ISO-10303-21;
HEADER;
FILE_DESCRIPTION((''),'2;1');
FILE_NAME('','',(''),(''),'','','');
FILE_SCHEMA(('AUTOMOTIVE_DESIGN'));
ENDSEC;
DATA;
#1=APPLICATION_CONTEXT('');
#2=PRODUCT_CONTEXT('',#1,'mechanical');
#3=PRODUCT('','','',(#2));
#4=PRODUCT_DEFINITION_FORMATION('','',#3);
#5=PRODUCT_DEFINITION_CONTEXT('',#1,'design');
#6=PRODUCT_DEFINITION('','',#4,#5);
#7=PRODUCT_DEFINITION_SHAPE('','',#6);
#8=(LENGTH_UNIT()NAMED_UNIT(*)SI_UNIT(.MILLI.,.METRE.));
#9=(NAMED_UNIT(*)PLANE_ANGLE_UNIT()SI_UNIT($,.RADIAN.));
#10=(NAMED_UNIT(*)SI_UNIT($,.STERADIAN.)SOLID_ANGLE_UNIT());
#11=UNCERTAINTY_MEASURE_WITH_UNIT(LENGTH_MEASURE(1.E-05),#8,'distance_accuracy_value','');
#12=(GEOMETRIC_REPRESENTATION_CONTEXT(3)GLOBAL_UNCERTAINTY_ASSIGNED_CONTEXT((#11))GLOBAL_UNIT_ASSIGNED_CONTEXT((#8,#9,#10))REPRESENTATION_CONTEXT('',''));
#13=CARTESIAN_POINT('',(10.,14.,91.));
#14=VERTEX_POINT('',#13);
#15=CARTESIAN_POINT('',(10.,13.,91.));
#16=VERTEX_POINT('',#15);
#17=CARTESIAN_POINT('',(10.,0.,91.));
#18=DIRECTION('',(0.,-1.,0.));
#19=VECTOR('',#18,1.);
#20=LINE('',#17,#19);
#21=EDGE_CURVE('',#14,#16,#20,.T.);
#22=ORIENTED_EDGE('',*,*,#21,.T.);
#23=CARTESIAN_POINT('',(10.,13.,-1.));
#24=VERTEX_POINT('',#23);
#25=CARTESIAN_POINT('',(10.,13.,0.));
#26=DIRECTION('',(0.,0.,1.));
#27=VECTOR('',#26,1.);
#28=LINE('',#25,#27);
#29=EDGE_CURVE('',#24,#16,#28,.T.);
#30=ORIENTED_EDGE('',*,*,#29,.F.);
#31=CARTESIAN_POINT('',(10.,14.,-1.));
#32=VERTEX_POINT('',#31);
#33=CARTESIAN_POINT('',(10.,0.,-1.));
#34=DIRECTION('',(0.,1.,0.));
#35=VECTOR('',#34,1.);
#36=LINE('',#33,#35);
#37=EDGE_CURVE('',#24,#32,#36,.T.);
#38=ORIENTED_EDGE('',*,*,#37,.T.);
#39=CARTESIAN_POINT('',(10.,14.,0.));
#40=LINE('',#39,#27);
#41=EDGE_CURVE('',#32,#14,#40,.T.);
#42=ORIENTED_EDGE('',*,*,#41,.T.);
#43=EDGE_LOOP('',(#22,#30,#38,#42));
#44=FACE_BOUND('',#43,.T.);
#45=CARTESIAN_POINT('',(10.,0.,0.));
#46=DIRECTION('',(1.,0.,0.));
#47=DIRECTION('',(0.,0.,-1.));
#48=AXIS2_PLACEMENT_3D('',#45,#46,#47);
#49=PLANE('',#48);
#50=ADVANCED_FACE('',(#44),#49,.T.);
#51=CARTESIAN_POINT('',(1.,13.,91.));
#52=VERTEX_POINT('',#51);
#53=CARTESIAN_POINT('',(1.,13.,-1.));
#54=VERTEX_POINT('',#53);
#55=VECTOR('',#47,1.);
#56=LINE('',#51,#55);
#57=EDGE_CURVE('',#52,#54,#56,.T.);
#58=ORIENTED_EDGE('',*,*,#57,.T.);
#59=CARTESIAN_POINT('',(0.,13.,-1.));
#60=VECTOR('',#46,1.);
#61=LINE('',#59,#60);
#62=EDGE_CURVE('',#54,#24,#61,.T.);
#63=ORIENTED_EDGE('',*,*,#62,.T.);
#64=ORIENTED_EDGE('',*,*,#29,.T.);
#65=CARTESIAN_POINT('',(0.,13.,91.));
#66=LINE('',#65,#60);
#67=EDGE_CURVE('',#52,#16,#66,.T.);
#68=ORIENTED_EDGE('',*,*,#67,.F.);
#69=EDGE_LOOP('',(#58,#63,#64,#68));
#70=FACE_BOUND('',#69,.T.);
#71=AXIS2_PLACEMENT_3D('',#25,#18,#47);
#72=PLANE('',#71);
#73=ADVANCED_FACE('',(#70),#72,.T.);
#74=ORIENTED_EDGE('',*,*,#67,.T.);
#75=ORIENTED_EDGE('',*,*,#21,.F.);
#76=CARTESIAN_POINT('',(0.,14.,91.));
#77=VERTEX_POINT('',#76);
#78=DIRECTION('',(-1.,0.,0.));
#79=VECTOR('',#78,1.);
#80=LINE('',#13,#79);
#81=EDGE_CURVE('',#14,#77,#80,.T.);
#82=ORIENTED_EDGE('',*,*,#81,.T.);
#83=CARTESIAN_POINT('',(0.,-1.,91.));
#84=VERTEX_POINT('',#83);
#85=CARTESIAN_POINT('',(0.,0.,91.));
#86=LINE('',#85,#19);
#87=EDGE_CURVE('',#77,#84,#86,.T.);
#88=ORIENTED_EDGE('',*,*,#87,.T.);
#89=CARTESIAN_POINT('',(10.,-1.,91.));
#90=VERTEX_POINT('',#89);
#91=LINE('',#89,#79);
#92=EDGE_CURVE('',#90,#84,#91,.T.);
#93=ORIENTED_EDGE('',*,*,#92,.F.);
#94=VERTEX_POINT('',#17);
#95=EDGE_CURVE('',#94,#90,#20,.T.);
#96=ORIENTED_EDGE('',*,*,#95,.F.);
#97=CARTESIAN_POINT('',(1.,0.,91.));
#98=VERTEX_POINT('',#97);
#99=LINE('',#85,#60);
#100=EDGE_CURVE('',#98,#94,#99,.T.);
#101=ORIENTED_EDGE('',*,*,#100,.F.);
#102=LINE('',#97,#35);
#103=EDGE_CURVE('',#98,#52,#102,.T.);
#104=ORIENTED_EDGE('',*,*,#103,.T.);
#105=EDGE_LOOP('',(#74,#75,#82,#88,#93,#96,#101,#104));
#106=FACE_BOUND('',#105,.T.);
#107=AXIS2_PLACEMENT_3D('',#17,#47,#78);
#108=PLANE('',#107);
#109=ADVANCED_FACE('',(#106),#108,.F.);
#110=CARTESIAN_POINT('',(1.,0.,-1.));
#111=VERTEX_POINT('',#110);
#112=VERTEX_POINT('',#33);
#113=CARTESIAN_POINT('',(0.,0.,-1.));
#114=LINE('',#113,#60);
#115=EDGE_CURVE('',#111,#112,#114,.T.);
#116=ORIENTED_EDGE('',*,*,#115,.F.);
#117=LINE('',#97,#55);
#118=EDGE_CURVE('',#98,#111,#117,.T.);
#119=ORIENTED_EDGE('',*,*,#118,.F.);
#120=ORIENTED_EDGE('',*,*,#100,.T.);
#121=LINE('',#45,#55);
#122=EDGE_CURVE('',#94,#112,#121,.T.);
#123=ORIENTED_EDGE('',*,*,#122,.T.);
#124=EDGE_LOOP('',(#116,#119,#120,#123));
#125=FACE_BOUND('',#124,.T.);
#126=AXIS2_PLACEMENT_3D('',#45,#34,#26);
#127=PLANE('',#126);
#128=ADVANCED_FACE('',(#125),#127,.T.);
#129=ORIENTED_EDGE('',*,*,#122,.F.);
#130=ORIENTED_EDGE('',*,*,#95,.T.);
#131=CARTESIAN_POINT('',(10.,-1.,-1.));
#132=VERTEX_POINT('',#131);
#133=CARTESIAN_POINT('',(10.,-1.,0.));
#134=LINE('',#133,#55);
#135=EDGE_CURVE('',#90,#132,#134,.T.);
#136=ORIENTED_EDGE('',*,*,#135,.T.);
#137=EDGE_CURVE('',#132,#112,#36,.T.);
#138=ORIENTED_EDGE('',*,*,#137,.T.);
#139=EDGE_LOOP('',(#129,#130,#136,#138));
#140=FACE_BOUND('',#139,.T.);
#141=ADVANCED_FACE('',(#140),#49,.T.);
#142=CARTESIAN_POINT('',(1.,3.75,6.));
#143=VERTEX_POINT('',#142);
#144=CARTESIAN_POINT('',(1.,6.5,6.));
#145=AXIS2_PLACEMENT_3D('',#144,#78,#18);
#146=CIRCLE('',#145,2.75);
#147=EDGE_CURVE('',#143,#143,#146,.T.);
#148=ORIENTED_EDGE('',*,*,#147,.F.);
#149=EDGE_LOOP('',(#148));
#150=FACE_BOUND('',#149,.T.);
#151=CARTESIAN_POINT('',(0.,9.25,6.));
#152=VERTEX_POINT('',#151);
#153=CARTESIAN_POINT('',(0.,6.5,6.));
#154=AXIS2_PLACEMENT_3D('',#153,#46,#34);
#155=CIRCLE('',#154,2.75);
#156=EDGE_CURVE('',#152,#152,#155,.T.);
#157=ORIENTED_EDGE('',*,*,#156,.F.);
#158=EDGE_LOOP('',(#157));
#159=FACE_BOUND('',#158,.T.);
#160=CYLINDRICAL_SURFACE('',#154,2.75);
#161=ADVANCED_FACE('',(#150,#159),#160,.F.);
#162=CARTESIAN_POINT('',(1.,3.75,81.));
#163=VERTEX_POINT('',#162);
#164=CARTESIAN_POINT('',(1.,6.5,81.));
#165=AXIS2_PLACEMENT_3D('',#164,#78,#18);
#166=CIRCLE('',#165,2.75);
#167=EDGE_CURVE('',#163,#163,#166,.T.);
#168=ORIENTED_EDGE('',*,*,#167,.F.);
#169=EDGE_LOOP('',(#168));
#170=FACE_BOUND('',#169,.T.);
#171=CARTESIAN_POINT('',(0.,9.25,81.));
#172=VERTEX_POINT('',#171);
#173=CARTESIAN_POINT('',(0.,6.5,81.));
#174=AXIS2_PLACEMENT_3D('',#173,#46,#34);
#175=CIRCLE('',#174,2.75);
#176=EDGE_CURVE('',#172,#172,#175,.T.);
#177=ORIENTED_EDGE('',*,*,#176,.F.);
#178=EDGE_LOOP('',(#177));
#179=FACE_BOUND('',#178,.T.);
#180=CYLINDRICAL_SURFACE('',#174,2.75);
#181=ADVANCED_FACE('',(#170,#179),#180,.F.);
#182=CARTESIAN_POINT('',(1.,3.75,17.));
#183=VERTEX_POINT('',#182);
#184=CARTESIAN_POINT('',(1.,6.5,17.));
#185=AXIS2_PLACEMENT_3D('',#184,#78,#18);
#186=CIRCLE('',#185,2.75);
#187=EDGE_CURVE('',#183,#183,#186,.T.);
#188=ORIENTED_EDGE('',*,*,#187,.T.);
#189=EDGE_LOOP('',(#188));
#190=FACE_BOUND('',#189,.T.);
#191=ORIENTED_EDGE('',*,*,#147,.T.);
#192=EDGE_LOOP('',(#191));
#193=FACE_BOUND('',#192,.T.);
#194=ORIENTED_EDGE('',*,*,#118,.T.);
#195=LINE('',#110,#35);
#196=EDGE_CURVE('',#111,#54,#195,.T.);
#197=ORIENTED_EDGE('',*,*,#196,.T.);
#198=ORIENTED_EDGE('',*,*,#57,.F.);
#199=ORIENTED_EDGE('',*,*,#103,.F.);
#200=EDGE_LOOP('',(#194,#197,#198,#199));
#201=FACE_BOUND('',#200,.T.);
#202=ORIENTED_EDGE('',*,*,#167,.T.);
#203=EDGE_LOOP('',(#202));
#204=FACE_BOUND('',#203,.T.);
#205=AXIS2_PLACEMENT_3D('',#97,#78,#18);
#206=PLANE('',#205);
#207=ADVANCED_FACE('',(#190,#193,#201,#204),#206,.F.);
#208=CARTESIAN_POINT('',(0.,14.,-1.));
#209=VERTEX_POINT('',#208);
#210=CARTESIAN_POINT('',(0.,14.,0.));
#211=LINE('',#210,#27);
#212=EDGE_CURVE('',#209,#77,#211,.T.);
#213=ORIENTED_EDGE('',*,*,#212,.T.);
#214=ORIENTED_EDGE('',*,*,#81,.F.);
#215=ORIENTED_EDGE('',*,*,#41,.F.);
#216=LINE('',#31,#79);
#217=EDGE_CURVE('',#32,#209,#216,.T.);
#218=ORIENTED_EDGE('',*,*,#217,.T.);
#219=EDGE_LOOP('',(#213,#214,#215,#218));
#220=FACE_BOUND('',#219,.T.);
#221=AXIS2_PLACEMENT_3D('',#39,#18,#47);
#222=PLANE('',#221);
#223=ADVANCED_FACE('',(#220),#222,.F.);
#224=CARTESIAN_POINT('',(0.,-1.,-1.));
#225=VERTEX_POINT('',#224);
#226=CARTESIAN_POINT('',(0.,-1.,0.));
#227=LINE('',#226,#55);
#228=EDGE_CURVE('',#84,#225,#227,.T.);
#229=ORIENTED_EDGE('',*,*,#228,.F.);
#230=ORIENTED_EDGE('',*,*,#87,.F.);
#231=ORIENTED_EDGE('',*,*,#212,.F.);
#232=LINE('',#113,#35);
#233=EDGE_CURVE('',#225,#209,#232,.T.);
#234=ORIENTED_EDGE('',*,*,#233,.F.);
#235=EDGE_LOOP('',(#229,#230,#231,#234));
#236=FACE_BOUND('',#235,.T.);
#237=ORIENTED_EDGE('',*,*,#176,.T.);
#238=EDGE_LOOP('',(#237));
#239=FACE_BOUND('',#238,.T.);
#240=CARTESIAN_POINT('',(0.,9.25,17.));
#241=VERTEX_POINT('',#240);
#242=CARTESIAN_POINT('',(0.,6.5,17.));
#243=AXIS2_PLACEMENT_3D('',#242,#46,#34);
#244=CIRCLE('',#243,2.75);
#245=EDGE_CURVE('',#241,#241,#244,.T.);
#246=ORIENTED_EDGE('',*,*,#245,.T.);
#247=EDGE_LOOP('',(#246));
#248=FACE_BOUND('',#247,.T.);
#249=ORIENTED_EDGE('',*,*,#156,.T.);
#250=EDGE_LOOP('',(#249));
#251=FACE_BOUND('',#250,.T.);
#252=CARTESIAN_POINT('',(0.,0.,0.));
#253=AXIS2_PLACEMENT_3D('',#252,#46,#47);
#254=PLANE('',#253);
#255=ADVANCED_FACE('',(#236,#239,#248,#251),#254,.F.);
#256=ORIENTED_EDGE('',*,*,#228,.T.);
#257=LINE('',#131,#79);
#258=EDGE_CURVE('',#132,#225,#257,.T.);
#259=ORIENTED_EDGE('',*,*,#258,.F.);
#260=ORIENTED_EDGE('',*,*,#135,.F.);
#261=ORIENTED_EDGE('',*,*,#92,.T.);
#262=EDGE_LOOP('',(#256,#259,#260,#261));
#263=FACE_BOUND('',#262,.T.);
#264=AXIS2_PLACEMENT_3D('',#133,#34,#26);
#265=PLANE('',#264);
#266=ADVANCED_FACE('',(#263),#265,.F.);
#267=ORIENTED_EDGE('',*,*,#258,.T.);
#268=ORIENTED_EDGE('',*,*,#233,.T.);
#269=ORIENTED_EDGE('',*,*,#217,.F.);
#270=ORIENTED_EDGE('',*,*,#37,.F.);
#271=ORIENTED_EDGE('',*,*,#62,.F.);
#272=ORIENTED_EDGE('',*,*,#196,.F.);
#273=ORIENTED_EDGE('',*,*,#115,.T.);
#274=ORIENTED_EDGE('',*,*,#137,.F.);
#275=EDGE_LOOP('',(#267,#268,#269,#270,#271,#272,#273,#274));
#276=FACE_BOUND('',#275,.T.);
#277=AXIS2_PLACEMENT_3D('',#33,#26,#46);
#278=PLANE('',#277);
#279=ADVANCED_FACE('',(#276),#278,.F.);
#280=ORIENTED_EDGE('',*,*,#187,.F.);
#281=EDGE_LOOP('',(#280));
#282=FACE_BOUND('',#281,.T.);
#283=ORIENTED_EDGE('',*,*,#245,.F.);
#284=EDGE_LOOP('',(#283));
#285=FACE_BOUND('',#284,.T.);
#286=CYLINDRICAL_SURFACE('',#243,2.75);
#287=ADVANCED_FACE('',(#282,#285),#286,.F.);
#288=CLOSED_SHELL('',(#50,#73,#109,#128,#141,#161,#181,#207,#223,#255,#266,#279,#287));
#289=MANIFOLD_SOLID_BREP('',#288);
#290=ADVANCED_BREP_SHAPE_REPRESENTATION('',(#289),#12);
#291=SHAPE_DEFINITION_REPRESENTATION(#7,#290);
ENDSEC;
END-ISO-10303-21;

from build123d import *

# Parameters (mm, degrees)
CROQUIS1_W                 = 15
CROQUIS1_H                 = 92
CROQUIS1_W_2               = 13
CROQUIS1_H_2               = 90
EXTRUIR_L_MINA1_DEPTH      = 10
CROQUIS2_W                 = 9
CROQUIS2_H                 = 13
CORTAR_EXTRUIR2_DEPTH      = 94.594871654
CROQUIS5_W                 = 13
CROQUIS5_H                 = 90
SALIENTE_EXTRUIR1_DEPTH    = 1
CORTAR_EXTRUIR3_DEPTH      = 93.509458976
CORTAR_EXTRUIR3_DEPTH_BACK = 93.509458976
CROQUIS6_R                 = 2.75


with BuildPart() as part:
    # Croquis1 → Extruir-Lámina1 (new body)
    with BuildSketch(Plane.YZ):
        with Locations((6.5, 45)):
            Rectangle(CROQUIS1_W, CROQUIS1_H)
        with Locations((6.5, 45)):
            Rectangle(CROQUIS1_W_2, CROQUIS1_H_2, mode=Mode.SUBTRACT)
    extrude(amount=EXTRUIR_L_MINA1_DEPTH)

    # Croquis2 → Cortar-Extruir2 (cut, through all)
    with BuildSketch(Plane(origin=(0, 0, -1), x_dir=(1, 0, 0), z_dir=(0, 0, -1))):
        with Locations((5.5, -6.5)):
            Rectangle(CROQUIS2_W, CROQUIS2_H)
    extrude(amount=-CORTAR_EXTRUIR2_DEPTH, mode=Mode.SUBTRACT)

    # Croquis5 → Saliente-Extruir1 (add)
    with BuildSketch(Plane(origin=(0, 0, 0), x_dir=(0, -1, 0), z_dir=(-1, 0, 0))):
        with Locations((-6.5, 45)):
            Rectangle(CROQUIS5_W, CROQUIS5_H)
    extrude(amount=-SALIENTE_EXTRUIR1_DEPTH)

    # Croquis6 → Cortar-Extruir3 (cut, two sides: drawn at the far end of the back side and taken through both)
    with BuildSketch(Plane.YZ.offset(1).offset(-CORTAR_EXTRUIR3_DEPTH_BACK)):
        with Locations((6.5, 17)):
            Circle(CROQUIS6_R)
        with Locations((6.5, 81)):
            Circle(CROQUIS6_R)
        with Locations((6.5, 6)):
            Circle(CROQUIS6_R)
    extrude(amount=CORTAR_EXTRUIR3_DEPTH + CORTAR_EXTRUIR3_DEPTH_BACK, mode=Mode.SUBTRACT)


solid = part.part
